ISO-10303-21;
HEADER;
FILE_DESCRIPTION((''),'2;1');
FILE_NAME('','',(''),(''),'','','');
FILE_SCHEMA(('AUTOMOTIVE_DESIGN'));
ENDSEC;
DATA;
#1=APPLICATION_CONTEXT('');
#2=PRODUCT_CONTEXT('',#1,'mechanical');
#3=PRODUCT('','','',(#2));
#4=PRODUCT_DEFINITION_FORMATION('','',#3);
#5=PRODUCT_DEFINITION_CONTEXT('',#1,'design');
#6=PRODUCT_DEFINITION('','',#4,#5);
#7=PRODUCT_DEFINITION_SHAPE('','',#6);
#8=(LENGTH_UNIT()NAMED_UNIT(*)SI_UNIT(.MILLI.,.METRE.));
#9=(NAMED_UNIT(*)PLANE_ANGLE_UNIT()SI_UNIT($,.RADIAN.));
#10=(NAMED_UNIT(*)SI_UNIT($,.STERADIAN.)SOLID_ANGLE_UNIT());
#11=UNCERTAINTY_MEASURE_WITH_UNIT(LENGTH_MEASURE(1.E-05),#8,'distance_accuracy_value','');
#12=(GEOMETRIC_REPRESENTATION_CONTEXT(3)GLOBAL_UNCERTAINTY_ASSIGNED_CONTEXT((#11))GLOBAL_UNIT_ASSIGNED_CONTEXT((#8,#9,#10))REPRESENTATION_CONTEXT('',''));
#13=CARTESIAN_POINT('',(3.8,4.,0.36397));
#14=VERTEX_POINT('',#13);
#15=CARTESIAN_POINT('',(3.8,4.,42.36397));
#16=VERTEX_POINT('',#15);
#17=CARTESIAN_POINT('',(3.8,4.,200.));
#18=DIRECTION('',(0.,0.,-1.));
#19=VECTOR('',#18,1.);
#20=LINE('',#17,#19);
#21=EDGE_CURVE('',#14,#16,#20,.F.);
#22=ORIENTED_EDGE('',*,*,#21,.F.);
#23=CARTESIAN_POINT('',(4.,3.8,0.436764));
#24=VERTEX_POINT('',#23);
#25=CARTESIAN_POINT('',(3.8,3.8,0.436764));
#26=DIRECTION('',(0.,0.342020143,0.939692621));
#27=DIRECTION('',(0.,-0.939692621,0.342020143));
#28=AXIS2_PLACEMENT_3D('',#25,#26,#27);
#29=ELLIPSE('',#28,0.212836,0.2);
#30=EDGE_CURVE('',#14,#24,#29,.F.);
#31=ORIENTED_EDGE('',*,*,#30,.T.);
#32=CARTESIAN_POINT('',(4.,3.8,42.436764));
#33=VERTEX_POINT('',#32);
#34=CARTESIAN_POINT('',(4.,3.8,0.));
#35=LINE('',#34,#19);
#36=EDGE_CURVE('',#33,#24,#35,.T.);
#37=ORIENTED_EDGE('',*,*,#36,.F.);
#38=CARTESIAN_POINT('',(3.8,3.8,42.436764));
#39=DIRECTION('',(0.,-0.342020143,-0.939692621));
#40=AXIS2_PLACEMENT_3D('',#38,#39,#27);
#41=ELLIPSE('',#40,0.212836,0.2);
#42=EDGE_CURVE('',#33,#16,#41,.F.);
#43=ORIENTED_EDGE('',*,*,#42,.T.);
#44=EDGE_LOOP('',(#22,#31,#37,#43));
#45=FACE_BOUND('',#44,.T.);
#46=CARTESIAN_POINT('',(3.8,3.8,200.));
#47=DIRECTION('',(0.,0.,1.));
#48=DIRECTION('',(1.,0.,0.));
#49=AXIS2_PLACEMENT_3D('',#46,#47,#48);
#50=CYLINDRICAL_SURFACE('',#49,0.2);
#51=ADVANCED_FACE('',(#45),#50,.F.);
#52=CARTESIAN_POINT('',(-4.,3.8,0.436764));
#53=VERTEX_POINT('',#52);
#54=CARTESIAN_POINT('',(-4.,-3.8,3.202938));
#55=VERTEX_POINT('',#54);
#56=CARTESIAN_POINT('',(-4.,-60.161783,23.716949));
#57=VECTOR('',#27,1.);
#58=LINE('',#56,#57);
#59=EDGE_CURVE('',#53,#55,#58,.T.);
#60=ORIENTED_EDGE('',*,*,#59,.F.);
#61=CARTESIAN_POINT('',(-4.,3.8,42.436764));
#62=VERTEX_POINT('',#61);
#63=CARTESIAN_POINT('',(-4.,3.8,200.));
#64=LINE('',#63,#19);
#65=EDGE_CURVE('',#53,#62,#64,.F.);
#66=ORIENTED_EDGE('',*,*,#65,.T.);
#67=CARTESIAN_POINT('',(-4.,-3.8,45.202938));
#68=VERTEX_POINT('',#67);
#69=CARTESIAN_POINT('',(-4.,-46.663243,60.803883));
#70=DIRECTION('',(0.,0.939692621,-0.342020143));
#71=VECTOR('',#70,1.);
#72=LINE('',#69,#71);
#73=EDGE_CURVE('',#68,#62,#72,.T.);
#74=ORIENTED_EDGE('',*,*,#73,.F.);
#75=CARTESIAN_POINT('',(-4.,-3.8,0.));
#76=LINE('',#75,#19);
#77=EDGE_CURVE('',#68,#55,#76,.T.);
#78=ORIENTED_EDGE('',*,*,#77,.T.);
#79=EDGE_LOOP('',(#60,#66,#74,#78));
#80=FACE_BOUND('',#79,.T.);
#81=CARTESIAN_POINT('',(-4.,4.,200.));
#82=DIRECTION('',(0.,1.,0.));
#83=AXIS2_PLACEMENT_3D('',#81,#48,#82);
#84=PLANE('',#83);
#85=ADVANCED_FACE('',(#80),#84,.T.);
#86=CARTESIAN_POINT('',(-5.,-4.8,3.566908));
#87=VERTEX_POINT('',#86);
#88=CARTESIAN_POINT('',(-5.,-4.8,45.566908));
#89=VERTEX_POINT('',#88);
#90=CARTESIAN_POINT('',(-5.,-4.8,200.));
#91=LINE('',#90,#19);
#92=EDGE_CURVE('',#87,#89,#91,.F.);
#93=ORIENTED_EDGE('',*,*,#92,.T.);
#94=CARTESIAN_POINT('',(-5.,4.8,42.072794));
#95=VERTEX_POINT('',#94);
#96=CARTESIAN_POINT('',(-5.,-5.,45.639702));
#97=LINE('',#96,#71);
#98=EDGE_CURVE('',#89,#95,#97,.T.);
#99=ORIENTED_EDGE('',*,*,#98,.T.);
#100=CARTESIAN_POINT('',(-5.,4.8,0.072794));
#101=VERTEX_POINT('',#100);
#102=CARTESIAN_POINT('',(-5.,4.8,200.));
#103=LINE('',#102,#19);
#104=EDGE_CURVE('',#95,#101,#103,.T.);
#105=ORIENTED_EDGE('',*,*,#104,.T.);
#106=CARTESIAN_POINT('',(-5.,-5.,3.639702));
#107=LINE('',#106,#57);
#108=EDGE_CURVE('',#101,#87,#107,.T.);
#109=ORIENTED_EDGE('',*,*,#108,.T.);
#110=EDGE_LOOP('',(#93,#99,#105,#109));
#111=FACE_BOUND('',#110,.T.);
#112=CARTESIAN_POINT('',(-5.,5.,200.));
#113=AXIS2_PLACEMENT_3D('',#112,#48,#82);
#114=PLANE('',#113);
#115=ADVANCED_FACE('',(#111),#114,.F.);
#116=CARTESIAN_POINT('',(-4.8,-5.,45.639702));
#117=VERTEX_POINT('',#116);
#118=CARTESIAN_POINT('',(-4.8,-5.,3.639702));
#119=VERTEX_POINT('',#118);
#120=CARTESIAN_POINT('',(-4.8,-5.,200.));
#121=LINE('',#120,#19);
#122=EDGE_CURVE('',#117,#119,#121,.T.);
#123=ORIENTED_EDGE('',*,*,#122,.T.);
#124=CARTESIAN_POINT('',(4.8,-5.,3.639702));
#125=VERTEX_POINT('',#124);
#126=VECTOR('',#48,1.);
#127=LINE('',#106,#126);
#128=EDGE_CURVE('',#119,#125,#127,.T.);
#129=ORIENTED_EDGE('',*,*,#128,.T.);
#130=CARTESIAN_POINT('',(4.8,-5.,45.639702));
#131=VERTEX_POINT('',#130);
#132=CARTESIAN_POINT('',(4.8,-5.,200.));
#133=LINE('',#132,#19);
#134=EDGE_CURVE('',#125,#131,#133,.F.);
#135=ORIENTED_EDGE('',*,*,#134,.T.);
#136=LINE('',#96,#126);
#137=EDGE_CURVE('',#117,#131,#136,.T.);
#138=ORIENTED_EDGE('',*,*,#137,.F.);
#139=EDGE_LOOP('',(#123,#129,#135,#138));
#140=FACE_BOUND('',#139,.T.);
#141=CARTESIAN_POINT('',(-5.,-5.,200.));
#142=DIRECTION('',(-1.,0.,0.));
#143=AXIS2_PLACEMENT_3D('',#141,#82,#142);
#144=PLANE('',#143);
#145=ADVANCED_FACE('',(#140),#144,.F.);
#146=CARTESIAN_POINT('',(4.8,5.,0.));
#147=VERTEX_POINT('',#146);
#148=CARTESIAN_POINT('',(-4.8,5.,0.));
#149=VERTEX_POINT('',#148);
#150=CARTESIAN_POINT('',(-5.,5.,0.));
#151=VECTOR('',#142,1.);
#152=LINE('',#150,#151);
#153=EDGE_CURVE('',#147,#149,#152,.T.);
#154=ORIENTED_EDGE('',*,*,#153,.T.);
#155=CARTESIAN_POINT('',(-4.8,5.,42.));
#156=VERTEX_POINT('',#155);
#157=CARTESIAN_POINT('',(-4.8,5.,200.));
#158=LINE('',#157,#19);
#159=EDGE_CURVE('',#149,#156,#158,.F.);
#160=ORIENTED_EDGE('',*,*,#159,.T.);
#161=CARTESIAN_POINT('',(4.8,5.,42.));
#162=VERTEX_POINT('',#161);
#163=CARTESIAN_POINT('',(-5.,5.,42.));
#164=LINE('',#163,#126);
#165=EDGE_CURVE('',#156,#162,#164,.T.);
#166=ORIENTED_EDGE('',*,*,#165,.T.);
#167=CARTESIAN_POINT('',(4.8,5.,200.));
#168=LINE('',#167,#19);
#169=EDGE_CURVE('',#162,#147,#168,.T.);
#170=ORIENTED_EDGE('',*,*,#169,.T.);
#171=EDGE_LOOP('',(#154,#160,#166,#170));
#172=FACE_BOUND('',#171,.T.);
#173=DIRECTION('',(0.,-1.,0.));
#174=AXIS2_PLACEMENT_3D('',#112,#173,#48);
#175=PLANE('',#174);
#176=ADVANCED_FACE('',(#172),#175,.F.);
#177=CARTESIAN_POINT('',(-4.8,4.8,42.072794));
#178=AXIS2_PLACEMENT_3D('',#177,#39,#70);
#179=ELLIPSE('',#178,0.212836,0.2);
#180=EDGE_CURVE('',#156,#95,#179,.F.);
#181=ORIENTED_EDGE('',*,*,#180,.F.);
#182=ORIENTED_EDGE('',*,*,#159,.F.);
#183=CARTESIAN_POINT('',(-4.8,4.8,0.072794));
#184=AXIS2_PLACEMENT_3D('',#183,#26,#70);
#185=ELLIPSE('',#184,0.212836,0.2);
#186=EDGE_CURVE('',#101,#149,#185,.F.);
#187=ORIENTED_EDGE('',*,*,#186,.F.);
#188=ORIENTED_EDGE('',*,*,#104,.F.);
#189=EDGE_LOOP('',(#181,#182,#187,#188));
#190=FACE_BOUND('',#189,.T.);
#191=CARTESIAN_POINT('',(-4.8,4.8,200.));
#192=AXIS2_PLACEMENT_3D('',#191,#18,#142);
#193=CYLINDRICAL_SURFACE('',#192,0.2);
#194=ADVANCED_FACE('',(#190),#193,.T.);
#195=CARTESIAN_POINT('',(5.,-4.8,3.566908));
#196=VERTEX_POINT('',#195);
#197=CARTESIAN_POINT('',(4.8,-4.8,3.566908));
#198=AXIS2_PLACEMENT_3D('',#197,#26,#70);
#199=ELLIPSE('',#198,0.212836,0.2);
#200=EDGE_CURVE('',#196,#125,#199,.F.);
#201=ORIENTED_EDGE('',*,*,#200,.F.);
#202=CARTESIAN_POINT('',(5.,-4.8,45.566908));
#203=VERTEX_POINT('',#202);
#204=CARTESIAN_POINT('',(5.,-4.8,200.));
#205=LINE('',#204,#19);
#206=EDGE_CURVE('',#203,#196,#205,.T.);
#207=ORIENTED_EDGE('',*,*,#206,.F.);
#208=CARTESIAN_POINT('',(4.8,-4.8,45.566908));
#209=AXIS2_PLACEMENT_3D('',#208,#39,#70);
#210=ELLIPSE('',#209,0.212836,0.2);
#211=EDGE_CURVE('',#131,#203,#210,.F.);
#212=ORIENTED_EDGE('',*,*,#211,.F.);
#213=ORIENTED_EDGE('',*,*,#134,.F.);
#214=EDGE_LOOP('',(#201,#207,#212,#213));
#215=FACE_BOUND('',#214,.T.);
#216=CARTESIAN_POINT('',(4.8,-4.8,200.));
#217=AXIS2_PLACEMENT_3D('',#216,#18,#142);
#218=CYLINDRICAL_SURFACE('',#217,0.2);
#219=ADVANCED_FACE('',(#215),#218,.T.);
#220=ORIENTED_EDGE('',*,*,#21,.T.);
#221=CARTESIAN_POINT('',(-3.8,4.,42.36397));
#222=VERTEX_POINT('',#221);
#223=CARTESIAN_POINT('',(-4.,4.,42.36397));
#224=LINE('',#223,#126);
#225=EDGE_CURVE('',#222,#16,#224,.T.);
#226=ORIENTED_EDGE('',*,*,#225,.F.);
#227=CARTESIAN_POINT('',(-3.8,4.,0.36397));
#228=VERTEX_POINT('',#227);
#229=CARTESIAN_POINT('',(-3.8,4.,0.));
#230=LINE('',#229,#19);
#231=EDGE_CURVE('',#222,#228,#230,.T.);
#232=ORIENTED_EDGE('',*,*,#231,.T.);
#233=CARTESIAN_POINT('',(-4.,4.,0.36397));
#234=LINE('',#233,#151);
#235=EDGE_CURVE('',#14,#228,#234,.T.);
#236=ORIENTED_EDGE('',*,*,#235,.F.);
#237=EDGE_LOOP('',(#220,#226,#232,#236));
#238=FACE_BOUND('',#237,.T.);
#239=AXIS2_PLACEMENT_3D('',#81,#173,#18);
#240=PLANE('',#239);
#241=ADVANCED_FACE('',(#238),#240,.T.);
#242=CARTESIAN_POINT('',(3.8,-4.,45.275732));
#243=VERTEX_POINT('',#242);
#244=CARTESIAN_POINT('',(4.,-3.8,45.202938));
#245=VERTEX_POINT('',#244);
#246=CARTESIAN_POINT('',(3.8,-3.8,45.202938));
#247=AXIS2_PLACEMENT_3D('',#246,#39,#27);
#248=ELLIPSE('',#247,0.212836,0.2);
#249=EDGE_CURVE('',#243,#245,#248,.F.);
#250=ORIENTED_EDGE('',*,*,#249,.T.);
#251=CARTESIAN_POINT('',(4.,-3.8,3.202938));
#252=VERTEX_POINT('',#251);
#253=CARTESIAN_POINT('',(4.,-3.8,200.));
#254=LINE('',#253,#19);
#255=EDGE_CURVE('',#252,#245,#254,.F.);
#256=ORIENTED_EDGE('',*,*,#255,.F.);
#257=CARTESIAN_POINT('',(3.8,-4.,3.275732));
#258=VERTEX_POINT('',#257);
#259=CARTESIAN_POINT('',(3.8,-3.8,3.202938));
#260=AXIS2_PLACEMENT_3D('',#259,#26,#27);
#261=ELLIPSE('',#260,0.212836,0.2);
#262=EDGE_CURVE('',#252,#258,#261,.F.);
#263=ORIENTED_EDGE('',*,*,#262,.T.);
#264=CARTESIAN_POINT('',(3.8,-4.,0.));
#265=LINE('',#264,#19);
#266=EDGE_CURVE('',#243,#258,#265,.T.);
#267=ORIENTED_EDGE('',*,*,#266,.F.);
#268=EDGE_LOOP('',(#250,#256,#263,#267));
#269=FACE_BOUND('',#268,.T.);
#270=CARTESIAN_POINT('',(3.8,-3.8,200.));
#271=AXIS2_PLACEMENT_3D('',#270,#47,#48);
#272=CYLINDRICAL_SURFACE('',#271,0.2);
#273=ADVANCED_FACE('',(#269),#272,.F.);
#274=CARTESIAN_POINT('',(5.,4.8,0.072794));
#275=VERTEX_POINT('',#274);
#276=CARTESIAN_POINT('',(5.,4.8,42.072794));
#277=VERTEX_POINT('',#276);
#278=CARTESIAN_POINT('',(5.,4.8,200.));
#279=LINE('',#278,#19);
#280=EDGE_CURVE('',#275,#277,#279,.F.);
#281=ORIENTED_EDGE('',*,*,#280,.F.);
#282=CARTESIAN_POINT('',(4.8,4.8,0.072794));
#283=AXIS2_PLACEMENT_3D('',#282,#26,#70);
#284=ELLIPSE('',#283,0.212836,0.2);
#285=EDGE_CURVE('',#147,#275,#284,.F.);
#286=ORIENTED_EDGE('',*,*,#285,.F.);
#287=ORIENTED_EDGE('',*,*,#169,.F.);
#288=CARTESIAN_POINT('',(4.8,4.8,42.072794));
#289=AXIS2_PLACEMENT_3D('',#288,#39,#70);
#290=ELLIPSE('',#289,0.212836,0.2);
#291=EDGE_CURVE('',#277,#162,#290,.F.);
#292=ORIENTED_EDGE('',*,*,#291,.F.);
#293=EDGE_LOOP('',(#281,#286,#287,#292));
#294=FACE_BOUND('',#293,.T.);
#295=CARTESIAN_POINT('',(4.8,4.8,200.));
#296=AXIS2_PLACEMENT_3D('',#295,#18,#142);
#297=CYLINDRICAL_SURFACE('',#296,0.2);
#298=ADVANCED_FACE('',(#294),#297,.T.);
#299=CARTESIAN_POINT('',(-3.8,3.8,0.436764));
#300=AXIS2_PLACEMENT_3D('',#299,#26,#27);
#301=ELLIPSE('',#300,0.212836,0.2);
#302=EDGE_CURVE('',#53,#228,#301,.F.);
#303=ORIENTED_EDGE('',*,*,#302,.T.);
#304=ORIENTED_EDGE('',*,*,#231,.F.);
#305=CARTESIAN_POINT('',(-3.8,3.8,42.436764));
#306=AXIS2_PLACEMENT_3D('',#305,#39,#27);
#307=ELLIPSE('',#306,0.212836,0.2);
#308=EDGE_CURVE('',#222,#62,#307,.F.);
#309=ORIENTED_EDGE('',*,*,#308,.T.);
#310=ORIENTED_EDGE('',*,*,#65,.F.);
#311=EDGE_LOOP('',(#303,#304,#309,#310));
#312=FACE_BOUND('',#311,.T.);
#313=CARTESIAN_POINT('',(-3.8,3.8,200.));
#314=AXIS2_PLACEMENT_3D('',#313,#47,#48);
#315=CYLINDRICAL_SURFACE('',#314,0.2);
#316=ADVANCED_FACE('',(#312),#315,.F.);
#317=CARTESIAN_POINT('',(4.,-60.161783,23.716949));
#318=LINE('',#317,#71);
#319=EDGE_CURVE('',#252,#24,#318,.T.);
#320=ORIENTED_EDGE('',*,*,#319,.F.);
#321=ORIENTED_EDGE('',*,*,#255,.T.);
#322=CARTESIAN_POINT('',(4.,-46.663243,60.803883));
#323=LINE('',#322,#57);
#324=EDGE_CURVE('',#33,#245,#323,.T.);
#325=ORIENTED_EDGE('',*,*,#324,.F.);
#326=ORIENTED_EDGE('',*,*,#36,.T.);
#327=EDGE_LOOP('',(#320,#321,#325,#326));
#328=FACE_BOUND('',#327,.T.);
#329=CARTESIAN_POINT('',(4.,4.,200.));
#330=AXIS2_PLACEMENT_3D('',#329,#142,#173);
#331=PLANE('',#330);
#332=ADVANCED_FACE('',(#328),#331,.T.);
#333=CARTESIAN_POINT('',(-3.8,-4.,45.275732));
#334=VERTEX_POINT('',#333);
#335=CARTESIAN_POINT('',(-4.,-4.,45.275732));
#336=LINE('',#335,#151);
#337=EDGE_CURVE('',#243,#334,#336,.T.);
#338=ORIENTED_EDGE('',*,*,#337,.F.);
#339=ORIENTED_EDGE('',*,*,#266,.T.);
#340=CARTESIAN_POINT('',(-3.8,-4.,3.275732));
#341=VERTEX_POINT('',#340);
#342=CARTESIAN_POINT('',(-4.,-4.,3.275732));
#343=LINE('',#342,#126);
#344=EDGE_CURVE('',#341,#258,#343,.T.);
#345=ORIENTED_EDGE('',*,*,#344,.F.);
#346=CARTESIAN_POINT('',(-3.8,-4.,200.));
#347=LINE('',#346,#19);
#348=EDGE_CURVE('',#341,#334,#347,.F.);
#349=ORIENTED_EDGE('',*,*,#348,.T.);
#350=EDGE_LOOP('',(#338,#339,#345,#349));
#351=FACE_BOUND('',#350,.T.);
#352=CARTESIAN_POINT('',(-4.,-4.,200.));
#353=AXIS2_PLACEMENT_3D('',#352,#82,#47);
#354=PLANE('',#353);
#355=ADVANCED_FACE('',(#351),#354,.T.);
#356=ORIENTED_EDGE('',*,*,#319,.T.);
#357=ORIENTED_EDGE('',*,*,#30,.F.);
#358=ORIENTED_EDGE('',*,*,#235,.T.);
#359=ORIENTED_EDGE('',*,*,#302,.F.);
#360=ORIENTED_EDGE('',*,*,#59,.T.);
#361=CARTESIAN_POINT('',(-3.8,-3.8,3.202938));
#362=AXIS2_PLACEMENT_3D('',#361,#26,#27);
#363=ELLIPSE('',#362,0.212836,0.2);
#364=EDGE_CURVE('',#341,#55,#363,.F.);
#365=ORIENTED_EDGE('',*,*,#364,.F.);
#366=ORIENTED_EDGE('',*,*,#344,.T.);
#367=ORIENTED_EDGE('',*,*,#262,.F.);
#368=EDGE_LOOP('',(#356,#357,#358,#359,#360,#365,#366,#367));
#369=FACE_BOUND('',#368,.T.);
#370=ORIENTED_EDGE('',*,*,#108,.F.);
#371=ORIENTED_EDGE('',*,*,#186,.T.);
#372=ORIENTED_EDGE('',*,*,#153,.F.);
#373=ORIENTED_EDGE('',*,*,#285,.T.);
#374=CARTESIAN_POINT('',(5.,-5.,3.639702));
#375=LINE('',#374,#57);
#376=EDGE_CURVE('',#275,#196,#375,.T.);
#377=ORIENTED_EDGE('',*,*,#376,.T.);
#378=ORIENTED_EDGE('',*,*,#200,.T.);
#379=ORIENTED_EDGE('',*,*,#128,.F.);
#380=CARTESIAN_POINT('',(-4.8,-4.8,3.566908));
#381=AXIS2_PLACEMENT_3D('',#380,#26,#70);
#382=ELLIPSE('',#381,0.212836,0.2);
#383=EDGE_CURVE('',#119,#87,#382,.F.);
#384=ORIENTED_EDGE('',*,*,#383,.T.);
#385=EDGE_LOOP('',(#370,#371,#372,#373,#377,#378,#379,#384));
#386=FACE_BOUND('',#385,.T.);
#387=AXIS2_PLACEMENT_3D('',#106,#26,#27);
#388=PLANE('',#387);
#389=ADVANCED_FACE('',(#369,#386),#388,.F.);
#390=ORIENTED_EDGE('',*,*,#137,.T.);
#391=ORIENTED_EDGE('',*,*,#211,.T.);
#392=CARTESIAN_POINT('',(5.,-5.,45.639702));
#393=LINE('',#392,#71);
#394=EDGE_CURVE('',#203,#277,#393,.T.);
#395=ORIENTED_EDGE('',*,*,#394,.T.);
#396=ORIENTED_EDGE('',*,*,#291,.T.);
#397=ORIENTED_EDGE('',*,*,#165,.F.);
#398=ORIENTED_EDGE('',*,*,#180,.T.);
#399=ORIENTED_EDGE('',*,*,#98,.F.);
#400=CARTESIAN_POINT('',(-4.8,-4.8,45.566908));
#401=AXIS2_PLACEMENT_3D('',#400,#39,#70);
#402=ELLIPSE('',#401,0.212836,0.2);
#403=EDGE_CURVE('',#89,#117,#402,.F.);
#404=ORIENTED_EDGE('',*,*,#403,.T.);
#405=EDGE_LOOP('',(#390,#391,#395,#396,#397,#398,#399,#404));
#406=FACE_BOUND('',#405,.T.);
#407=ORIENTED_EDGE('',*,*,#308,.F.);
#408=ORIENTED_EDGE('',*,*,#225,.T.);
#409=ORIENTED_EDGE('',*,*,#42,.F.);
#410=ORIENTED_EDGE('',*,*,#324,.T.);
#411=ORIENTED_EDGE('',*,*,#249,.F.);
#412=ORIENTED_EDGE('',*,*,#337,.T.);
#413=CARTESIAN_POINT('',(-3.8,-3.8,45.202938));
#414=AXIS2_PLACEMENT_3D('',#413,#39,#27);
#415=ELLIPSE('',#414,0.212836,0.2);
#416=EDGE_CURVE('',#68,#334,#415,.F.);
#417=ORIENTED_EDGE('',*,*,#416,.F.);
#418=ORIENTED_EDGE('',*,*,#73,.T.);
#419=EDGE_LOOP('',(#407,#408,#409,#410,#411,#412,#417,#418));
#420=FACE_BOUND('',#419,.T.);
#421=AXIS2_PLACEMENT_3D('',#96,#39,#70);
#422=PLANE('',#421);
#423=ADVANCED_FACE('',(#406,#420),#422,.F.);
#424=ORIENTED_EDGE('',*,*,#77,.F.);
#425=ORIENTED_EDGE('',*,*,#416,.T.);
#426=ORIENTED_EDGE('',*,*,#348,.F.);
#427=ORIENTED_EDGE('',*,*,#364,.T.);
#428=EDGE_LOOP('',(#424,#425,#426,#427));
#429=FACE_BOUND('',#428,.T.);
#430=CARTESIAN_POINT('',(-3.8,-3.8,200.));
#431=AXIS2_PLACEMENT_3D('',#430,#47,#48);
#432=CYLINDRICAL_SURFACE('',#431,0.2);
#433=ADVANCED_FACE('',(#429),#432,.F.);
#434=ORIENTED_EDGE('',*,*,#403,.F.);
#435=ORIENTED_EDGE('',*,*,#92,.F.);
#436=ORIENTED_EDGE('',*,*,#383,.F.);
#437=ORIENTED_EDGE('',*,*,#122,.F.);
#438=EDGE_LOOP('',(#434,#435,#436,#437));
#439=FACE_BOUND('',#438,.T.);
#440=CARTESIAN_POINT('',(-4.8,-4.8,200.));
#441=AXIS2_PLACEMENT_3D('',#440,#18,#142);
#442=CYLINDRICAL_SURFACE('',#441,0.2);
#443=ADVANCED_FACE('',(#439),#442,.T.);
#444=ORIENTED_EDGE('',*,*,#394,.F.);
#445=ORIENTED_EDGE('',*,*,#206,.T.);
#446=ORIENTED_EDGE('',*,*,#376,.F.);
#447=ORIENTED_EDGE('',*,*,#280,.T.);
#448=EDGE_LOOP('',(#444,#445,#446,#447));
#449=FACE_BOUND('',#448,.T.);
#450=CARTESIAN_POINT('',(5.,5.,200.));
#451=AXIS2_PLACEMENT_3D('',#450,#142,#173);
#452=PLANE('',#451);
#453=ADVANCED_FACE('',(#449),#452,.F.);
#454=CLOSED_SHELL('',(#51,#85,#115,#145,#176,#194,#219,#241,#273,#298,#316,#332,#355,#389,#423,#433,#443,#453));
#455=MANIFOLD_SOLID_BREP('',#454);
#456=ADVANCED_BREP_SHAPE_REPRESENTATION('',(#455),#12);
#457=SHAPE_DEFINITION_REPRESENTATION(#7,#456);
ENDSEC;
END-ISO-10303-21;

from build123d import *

# Parameters (mm, degrees)
SKETCH_1_W          = 10
SKETCH_1_H          = 10
SKETCH_1_W_2        = 8
SKETCH_1_H_2        = 8
EXTRUDE_1_DEPTH     = 200
FILLET_1_R          = 0.2
CUT_EXTRUDE_1_DEPTH = 201.31225624
CUT_EXTRUDE_2_DEPTH = 201.31225624


with BuildPart() as part:
    # 草圖1 → 填料-伸長1 (new body)
    with BuildSketch(Plane.XY):
        Rectangle(SKETCH_1_W, SKETCH_1_H)
        Rectangle(SKETCH_1_W_2, SKETCH_1_H_2, mode=Mode.SUBTRACT)
    extrude(amount=EXTRUDE_1_DEPTH)

    # 圓角1
    fillet_1_edges = [part.edges().sort_by_distance(p)[0] for p in [
        (-4, 4, 100),
        (-4, -4, 100),
        (4, -4, 100),
        (4, 4, 100),
        (-5, 5, 100),
        (5, 5, 100),
        (5, -5, 100),
        (-5, -5, 100),
    ]]
    fillet(fillet_1_edges, radius=FILLET_1_R)

    # 草圖2 → 除料-伸長1 (cut, through all)
    with BuildSketch(Plane(origin=(5, 0, 0), x_dir=(0, 0, -1), z_dir=(1, 0, 0))):
        Polygon((0, 5), (0, -5), (-3.639702343, -5), align=None)
    extrude(amount=-CUT_EXTRUDE_1_DEPTH, mode=Mode.SUBTRACT)

    # 草圖3 → 除料-伸長2 (cut, through all)
    with BuildSketch(Plane(origin=(5, 0, 0), x_dir=(0, 0, -1), z_dir=(1, 0, 0))):
        Polygon((-45.639702343, -5), (-42, 5), (-200, 5), (-200, -5), align=None)
    extrude(amount=-CUT_EXTRUDE_2_DEPTH, mode=Mode.SUBTRACT)


solid = part.part
